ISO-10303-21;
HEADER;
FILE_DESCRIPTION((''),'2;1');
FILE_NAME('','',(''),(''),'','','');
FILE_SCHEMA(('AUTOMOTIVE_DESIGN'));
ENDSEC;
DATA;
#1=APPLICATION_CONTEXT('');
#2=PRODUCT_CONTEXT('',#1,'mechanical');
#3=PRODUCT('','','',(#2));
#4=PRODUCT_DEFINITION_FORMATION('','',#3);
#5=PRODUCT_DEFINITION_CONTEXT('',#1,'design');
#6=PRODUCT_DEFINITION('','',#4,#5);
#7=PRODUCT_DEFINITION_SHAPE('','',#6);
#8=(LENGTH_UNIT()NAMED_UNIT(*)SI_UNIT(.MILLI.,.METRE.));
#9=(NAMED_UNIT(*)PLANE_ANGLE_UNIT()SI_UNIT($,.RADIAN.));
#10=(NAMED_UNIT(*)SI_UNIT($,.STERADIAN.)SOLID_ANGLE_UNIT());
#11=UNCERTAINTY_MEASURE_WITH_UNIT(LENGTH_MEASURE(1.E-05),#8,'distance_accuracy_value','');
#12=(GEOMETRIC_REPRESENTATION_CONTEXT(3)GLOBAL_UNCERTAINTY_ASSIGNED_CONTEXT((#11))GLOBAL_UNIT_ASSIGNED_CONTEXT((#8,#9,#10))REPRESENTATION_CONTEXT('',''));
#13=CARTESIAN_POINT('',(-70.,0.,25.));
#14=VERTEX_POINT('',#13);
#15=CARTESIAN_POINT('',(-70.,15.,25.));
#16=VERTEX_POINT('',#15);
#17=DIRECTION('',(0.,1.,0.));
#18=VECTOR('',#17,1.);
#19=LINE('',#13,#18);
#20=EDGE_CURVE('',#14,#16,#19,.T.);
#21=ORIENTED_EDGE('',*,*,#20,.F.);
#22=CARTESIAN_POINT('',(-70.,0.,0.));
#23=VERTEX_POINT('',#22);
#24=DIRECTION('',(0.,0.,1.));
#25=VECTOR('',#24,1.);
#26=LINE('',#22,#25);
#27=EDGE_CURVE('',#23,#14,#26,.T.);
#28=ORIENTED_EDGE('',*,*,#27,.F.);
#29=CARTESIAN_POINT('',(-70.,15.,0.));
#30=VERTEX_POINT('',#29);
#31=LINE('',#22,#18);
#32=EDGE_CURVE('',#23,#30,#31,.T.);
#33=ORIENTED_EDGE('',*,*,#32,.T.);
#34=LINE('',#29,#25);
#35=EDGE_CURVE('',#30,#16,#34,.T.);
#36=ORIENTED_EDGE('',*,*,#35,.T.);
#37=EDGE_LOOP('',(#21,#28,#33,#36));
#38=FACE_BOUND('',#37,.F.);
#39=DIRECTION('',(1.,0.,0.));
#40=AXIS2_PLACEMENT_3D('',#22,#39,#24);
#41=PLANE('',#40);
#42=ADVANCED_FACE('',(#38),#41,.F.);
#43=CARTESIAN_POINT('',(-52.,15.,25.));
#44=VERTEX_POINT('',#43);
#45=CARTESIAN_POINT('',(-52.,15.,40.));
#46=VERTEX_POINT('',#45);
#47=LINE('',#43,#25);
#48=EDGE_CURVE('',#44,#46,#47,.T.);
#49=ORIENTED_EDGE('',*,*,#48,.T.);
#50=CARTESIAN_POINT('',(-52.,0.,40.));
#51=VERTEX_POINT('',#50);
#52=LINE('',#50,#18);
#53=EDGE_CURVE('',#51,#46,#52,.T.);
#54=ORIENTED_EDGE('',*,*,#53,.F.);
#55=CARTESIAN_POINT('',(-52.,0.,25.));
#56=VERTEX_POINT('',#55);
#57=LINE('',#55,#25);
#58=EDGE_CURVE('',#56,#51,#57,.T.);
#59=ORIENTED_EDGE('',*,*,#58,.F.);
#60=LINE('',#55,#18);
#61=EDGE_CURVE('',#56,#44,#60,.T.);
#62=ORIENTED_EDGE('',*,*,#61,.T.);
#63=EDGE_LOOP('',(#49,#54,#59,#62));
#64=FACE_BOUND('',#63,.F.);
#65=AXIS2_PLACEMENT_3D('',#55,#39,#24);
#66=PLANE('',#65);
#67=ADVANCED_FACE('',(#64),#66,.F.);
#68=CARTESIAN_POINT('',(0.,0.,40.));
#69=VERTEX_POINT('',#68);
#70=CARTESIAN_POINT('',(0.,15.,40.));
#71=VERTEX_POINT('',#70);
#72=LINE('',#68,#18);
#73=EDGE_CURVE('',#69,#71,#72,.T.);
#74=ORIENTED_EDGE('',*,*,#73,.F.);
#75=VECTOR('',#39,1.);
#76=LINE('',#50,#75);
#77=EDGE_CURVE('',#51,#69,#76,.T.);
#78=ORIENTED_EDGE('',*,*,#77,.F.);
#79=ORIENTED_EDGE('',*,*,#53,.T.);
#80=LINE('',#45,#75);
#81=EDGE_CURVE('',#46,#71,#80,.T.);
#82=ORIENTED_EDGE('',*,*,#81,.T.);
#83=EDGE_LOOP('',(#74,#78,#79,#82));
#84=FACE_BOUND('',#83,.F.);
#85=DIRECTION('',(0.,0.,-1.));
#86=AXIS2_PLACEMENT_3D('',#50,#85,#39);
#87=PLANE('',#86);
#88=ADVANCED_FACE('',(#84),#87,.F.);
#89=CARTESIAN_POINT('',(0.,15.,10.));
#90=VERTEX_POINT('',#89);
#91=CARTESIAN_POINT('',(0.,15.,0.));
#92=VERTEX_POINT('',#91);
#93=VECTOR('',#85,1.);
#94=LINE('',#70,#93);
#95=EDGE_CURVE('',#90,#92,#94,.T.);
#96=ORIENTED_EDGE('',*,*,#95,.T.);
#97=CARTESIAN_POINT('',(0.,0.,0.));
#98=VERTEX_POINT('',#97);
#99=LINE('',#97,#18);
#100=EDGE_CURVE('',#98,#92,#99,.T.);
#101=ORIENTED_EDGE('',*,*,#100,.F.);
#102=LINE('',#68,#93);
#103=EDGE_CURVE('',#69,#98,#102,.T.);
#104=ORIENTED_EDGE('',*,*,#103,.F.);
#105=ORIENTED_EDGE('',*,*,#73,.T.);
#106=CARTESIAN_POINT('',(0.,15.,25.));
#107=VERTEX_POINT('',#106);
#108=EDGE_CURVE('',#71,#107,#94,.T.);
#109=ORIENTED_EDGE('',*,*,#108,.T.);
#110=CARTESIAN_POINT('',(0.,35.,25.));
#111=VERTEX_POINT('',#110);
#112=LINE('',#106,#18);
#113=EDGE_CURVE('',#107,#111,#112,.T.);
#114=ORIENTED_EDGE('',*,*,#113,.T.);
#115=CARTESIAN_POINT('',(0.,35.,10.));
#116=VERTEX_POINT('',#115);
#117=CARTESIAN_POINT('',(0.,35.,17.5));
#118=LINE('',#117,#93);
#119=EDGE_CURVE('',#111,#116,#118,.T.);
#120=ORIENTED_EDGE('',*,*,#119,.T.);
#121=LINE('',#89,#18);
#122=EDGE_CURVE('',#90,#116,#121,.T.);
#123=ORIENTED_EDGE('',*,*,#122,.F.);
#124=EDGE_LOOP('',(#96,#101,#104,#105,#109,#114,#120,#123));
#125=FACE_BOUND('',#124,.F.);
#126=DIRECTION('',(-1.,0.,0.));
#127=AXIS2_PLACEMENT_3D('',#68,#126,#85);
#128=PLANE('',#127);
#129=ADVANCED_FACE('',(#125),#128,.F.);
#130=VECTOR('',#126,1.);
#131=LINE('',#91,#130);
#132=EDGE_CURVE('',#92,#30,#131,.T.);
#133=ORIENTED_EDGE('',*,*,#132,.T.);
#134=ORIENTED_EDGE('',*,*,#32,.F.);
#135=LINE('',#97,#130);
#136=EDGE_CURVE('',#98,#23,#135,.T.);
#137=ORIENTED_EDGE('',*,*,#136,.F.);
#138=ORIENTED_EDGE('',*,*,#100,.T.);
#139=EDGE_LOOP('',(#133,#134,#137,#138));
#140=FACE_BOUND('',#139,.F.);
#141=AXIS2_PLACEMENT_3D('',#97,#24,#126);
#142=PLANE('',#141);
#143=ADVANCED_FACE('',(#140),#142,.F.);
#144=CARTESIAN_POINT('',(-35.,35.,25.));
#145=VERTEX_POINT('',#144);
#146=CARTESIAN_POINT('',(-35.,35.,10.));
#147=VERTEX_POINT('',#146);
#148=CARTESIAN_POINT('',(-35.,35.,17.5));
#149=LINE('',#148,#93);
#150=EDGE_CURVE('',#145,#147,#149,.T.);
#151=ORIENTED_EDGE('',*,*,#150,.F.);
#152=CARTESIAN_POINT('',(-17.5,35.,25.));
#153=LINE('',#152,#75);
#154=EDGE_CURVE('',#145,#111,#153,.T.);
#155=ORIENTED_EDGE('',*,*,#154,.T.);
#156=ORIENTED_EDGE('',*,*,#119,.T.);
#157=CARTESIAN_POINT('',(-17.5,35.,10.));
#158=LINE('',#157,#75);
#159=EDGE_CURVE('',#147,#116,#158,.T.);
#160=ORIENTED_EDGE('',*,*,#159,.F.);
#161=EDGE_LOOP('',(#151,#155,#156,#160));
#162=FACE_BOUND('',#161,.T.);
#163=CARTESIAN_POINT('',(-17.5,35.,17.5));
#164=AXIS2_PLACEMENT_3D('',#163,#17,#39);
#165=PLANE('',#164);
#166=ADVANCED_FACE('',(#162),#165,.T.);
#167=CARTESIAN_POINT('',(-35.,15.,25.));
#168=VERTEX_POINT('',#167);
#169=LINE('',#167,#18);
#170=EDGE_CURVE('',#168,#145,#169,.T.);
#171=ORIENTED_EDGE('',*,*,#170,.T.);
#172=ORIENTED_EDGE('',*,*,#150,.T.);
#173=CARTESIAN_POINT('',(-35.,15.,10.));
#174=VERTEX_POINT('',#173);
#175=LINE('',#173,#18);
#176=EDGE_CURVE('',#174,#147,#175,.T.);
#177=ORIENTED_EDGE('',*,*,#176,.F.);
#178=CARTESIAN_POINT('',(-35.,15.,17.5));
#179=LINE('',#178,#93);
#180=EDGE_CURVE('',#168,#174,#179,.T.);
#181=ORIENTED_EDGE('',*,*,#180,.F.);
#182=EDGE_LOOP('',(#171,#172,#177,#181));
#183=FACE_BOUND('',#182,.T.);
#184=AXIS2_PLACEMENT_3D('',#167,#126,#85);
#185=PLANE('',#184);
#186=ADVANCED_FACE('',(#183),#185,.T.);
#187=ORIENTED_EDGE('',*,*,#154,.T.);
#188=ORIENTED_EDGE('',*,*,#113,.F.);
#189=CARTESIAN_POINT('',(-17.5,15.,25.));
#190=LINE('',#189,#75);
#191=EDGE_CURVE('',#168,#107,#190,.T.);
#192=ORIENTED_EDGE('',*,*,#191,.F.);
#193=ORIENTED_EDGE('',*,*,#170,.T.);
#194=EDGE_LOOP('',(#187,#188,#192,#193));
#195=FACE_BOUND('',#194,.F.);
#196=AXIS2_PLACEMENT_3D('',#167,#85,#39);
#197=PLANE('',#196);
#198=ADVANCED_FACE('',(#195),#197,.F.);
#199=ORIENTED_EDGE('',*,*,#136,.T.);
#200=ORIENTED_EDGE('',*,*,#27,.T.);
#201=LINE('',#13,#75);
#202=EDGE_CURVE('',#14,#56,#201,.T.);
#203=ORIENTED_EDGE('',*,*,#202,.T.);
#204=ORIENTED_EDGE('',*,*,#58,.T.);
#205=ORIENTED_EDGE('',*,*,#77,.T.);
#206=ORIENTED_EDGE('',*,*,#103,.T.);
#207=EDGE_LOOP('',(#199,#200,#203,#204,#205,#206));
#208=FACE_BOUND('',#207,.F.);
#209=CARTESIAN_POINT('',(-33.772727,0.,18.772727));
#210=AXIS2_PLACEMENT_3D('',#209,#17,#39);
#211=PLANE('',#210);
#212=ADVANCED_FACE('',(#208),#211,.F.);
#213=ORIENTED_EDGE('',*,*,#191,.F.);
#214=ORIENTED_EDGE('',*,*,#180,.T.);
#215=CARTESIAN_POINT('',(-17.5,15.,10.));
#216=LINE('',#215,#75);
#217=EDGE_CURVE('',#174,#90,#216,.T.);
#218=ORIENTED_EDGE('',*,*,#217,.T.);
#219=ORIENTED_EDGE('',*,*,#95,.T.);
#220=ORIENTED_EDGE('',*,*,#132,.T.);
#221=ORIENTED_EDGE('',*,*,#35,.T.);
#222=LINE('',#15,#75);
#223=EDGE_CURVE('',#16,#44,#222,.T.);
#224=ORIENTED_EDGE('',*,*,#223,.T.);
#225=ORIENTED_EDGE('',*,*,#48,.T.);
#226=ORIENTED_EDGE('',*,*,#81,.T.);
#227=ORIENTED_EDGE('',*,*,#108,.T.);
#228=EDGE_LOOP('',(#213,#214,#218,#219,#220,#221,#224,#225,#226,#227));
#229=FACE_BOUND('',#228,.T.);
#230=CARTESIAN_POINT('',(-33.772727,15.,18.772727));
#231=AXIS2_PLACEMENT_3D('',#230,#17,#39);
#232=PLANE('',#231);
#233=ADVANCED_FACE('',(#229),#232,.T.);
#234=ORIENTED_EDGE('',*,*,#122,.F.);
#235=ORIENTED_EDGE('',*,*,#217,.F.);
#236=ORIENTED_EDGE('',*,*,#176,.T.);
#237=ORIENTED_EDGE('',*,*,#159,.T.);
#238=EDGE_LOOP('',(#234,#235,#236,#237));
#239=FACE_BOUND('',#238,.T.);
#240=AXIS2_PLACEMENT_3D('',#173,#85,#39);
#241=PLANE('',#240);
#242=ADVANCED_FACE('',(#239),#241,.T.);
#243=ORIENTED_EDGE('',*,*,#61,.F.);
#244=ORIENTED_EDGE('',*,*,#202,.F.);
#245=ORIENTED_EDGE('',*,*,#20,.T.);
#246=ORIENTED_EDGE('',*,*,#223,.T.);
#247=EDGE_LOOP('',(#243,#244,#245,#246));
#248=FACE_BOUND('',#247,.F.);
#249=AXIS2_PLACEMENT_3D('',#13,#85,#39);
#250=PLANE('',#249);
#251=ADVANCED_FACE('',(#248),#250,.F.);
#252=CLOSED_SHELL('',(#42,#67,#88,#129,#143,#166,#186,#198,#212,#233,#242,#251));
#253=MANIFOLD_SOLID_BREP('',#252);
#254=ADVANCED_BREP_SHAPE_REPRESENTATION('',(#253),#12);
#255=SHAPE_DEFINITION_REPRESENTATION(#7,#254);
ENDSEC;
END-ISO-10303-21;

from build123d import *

# Parameters (mm, degrees)
BOSS_EXTRUDE1_DEPTH = 15
SKETCH2_W           = 35
SKETCH2_H           = 15
BOSS_EXTRUDE2_DEPTH = 20


with BuildPart() as part:
    # Sketch1 → Boss-Extrude1 (new body)
    with BuildSketch(Plane(origin=(0, 0, 0), x_dir=(1, 0, 0), z_dir=(0, 1, 0))):
        Polygon((0, 0), (-70, 0), (-70, -25), (-52, -25), (-52, -40), (0, -40), align=None)
    extrude(amount=BOSS_EXTRUDE1_DEPTH)

    # Sketch2 → Boss-Extrude2 (add)
    with BuildSketch(Plane(origin=(0, 15, 0), x_dir=(1, 0, 0), z_dir=(0, 1, 0))):
        with Locations((-17.5, -17.5)):
            Rectangle(SKETCH2_W, SKETCH2_H)
    extrude(amount=BOSS_EXTRUDE2_DEPTH)


solid = part.part
